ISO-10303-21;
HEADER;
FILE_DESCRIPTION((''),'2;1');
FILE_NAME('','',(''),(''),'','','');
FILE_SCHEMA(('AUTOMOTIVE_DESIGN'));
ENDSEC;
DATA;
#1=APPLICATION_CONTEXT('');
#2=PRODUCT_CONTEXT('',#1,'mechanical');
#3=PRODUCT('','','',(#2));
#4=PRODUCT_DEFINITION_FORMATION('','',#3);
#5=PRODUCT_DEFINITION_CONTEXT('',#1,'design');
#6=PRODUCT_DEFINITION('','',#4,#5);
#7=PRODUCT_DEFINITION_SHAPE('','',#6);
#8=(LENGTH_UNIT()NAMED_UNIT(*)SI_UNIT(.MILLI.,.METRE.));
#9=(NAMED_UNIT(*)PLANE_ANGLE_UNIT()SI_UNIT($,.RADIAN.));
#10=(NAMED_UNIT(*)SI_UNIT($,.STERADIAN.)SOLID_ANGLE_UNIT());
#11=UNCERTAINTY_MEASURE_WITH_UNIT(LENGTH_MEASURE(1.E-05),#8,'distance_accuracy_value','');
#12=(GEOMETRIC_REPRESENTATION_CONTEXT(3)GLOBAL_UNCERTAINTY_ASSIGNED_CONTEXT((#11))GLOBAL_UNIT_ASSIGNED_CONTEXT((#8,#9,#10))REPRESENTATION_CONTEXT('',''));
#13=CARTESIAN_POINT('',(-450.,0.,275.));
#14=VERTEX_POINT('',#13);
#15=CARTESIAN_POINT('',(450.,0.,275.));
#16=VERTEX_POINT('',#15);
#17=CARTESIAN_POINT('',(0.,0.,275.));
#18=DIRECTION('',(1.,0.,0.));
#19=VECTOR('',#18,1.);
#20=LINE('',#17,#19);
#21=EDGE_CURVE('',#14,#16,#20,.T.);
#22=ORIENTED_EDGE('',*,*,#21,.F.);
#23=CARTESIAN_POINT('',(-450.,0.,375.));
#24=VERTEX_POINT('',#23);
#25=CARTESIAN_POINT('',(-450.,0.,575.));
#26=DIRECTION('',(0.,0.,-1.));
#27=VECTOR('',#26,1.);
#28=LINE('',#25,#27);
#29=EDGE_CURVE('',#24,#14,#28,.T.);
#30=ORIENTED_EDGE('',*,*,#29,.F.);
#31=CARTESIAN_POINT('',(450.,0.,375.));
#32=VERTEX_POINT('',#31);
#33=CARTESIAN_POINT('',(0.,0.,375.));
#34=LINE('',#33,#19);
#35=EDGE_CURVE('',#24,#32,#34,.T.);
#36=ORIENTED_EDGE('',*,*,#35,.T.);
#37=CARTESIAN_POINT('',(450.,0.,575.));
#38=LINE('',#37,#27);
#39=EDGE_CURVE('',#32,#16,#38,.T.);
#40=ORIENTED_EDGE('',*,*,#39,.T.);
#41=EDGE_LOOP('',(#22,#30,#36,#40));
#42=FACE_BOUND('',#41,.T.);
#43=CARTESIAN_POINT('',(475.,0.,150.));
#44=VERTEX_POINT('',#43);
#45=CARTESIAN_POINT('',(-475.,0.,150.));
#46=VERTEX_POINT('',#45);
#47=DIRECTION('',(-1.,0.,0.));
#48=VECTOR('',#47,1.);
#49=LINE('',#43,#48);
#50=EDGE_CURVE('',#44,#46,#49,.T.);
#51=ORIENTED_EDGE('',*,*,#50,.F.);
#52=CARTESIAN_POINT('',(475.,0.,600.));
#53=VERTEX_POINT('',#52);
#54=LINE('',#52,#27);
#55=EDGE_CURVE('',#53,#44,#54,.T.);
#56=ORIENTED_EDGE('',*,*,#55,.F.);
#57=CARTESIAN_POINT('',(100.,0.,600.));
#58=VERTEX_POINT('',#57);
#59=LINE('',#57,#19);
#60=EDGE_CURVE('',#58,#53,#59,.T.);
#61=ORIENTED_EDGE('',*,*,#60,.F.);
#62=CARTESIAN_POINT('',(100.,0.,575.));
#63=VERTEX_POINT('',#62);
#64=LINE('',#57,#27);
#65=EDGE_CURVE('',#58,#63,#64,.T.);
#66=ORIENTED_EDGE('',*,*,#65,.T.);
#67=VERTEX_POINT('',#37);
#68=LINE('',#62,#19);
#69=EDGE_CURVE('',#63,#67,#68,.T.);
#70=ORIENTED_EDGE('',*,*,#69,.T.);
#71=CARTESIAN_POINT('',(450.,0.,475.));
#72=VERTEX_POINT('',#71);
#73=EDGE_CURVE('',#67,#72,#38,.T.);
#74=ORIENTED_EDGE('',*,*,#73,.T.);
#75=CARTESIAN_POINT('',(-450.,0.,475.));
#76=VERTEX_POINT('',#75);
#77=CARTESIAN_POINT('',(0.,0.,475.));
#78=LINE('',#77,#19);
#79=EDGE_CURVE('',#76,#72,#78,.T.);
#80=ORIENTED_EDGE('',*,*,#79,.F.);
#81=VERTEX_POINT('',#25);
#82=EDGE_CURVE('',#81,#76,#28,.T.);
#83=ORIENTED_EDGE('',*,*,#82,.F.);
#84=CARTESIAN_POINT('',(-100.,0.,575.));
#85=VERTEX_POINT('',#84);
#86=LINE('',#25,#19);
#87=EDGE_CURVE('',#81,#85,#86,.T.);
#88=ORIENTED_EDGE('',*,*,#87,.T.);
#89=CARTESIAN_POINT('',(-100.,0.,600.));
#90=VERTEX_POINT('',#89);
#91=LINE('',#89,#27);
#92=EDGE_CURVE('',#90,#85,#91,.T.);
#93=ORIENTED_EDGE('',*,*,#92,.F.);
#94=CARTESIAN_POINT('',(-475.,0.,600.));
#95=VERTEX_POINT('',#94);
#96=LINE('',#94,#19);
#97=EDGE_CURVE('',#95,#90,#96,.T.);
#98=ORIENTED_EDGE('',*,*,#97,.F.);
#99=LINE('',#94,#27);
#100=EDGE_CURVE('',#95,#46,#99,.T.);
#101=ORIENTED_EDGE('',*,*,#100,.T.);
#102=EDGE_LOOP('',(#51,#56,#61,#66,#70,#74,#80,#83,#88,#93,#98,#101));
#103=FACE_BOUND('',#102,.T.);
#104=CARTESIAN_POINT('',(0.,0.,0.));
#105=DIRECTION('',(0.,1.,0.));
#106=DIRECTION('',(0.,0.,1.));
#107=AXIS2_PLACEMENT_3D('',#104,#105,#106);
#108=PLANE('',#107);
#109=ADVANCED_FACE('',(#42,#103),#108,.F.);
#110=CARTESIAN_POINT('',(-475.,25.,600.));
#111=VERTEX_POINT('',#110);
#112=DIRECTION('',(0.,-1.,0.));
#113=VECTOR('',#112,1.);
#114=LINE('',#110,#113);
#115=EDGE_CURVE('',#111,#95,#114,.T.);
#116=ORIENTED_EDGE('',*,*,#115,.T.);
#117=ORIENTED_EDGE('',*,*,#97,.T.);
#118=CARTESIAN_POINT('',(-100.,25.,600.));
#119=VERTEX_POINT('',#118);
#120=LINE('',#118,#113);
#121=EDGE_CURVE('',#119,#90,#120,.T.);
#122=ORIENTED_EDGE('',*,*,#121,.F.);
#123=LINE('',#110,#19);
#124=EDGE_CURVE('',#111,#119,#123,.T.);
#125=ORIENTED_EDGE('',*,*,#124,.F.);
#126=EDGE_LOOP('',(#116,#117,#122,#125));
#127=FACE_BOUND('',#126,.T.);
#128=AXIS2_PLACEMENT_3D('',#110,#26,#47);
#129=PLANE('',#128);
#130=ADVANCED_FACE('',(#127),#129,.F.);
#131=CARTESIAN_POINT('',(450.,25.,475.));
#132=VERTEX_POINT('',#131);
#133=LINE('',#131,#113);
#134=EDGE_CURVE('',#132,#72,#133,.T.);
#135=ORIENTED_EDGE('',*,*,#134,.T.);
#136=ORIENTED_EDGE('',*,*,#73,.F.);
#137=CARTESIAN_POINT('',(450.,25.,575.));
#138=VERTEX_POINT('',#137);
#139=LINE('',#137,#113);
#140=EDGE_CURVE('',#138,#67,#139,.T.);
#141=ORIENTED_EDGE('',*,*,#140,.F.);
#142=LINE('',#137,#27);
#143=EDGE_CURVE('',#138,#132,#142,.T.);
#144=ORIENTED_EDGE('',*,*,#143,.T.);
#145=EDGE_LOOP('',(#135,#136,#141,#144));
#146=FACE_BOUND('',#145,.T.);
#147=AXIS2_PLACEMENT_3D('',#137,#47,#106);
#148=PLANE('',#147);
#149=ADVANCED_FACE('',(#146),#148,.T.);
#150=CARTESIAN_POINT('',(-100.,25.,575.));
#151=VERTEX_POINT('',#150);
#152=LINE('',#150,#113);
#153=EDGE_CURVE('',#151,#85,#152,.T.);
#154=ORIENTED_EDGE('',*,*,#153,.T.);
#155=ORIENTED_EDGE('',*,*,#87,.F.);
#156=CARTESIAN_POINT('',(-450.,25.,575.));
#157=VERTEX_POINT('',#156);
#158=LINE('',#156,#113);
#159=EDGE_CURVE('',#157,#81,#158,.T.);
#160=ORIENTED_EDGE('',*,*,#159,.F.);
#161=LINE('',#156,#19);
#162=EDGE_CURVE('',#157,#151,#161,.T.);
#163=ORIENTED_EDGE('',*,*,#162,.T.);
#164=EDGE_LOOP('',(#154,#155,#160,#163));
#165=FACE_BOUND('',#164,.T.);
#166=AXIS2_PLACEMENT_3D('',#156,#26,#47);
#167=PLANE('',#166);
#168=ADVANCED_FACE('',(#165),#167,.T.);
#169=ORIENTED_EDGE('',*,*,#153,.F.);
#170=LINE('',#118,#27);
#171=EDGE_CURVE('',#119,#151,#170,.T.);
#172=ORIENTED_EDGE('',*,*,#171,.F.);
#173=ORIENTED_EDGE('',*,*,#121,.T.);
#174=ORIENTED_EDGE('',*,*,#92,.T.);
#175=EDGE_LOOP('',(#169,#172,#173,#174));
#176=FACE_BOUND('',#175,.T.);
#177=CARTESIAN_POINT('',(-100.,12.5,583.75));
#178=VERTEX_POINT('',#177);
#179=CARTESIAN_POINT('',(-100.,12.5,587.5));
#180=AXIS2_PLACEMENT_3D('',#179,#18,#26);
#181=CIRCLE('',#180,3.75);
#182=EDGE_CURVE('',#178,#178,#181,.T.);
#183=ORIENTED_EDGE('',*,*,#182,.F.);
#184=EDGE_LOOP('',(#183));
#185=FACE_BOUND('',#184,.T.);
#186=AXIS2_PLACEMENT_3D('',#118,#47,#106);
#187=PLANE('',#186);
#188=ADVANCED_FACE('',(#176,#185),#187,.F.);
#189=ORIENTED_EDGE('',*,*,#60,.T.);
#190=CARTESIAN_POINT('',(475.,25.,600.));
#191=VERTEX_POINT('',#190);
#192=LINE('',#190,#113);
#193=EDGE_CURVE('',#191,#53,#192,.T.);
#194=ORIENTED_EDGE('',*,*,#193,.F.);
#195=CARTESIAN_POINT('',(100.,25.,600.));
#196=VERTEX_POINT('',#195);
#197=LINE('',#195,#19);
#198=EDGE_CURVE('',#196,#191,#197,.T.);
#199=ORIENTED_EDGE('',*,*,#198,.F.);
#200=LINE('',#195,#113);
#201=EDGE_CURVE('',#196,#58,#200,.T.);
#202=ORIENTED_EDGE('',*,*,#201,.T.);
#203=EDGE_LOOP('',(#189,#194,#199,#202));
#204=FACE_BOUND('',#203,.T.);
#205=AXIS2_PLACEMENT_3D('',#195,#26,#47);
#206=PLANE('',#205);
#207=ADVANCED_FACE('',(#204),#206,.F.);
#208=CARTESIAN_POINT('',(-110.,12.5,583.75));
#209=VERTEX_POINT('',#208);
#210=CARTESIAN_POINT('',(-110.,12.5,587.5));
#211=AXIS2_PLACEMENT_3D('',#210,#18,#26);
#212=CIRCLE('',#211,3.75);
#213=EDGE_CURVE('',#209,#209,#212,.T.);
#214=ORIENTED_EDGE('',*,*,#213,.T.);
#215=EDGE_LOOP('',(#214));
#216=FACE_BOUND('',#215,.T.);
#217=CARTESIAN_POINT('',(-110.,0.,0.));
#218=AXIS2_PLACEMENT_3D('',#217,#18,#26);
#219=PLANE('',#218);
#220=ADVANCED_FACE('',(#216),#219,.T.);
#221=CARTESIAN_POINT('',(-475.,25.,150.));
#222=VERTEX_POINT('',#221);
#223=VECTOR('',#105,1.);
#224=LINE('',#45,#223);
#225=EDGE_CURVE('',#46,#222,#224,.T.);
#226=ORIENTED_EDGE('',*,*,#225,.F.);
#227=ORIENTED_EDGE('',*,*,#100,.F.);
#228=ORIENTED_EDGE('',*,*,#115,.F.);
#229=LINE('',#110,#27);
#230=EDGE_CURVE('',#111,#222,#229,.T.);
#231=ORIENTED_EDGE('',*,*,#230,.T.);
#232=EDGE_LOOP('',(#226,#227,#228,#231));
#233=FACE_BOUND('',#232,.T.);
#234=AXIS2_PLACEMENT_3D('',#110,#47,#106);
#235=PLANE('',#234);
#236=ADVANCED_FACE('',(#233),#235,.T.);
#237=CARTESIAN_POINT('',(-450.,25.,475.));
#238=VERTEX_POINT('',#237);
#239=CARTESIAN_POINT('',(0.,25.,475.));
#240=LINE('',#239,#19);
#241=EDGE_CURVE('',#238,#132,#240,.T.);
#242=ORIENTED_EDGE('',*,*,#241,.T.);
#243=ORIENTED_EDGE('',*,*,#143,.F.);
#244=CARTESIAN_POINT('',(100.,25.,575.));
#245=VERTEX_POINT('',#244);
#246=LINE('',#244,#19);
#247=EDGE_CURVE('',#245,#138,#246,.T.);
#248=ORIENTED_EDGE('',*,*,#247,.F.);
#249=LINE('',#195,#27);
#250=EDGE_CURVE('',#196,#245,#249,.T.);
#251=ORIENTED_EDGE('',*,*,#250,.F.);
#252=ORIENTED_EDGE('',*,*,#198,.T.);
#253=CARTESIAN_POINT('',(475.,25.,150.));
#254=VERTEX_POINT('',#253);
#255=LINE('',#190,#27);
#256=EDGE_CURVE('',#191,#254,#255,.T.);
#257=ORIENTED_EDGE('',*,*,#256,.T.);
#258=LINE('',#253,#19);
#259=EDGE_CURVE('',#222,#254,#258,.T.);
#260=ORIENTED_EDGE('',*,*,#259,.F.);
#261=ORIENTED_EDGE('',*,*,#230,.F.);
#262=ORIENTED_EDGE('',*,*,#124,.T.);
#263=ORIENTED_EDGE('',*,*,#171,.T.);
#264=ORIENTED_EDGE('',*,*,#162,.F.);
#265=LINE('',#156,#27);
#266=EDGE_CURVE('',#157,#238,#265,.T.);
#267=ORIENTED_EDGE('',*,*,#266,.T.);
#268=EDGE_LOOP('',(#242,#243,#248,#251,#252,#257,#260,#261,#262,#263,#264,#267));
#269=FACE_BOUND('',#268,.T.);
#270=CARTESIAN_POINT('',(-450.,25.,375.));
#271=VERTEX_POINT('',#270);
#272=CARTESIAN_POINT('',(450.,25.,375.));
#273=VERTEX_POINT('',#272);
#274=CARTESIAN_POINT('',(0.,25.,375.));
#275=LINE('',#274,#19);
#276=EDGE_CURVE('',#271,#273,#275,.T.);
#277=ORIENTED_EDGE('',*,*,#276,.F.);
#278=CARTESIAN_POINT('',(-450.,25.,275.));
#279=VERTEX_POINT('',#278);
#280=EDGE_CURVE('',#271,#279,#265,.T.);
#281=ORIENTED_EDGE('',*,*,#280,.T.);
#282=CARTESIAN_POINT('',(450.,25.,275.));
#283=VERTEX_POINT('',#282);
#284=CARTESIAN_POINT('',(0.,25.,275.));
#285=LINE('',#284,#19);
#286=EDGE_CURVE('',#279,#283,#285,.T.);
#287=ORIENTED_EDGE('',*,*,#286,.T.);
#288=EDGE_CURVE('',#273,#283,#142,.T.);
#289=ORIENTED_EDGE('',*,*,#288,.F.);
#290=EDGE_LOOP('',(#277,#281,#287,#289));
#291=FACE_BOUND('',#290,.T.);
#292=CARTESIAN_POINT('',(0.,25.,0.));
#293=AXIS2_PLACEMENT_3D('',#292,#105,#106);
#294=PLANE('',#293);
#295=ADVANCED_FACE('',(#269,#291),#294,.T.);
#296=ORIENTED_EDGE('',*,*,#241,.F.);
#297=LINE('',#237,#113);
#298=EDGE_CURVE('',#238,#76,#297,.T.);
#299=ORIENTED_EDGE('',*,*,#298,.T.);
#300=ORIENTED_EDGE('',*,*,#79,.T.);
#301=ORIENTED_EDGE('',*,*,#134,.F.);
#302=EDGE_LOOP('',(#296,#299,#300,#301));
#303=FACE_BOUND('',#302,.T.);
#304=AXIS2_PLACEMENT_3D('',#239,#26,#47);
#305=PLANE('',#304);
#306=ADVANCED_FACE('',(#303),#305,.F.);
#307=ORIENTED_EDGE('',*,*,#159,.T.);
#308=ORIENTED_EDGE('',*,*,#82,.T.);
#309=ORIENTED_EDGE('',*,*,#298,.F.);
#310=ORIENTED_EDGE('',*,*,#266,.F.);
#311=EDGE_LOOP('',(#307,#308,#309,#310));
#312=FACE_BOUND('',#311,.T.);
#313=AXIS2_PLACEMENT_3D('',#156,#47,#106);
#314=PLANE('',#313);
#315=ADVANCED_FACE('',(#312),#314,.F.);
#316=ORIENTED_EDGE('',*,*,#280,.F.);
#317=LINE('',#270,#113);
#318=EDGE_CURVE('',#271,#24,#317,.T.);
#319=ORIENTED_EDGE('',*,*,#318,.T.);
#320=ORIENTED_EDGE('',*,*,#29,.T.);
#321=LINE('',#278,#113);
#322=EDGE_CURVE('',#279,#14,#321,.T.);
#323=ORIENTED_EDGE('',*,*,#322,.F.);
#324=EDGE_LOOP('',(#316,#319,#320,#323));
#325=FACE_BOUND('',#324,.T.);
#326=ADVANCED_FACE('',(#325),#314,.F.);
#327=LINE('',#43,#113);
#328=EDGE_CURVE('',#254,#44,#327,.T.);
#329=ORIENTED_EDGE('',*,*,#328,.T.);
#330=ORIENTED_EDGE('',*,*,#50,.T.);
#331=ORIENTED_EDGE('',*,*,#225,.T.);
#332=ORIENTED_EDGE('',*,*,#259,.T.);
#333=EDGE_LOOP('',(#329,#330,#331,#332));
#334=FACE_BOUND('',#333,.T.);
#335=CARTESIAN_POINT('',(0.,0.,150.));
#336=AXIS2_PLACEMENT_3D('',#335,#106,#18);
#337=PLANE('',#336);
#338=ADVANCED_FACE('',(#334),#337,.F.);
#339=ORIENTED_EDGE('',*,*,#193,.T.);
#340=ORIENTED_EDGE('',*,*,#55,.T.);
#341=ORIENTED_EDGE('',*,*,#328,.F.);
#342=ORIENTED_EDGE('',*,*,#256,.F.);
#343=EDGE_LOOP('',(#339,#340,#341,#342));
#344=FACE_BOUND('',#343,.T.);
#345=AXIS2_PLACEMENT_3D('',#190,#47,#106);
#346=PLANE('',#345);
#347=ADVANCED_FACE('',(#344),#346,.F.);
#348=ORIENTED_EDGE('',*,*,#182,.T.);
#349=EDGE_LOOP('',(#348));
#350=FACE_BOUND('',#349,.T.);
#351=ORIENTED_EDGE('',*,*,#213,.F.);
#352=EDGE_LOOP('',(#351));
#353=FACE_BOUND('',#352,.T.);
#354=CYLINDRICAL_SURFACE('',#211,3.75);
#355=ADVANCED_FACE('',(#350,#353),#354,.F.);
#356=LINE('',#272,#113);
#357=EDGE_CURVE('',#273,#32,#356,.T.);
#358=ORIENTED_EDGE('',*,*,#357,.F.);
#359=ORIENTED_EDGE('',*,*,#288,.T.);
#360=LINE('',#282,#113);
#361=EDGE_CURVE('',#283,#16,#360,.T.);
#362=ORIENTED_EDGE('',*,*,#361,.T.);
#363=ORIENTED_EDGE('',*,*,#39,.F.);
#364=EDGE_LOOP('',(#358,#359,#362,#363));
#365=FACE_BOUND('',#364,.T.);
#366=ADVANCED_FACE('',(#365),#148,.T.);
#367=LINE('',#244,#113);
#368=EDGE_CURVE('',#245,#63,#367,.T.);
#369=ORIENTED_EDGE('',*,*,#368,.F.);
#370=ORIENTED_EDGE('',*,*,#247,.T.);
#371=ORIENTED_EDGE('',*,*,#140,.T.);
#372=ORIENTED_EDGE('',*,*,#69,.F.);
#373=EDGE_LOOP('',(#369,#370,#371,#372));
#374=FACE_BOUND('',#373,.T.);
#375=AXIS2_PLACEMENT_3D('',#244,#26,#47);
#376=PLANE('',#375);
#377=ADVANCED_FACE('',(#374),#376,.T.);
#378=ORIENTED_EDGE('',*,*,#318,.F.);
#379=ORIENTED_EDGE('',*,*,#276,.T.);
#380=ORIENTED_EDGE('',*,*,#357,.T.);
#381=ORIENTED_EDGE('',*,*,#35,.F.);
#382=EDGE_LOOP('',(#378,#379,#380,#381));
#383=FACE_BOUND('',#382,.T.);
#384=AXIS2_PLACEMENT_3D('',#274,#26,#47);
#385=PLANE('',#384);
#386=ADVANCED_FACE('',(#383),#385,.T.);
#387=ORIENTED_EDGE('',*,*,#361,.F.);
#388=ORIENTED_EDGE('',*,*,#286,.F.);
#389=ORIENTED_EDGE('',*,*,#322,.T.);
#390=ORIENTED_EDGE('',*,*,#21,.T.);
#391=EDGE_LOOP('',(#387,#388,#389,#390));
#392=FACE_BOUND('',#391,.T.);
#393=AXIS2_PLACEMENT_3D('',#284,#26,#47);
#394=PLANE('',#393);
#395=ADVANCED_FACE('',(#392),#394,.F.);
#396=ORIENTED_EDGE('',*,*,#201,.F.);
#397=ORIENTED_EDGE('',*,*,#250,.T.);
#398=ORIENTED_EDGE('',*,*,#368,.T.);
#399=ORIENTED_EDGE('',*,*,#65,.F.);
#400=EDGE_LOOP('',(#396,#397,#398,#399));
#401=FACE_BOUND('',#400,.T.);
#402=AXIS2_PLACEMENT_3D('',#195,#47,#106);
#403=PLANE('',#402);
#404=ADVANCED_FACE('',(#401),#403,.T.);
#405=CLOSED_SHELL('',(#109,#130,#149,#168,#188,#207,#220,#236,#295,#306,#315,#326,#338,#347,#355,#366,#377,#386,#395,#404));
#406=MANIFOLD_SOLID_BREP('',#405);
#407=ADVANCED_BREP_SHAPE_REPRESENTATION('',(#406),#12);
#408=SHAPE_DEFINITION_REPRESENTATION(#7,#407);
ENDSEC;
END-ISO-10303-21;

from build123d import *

# Parameters (mm, degrees)
CROQUIS1_W              = 900
CROQUIS1_H              = 100
CROQUIS1_H_2            = 150
SALIENTE_EXTRUIR2_DEPTH = 25
CORTAR_EXTRUIR1_DEPTH   = 10
CROQUIS3_W              = 950
CROQUIS3_H              = 25
CORTAR_EXTRUIR2_DEPTH   = 750


with BuildPart() as part:
    # Croquis1 → Saliente-Extruir2 (new body)
    with BuildSketch(Plane(origin=(0, 0, 0), x_dir=(1, 0, 0), z_dir=(0, 1, 0))):
        Polygon((450, -475), (450, -575), (100, -575), (100, -600), (475, -600), (475, 600), (-475, 600), (-475, -600), (-100, -600), (-100, -575), (-450, -575), (-450, -475), align=None)
        with Locations((0, -325)):
            Rectangle(CROQUIS1_W, CROQUIS1_H, mode=Mode.SUBTRACT)
        with Locations((0, 50)):
            Rectangle(CROQUIS1_W, CROQUIS1_H_2, mode=Mode.SUBTRACT)
        with Locations((0, 350)):
            Rectangle(CROQUIS1_W, CROQUIS1_H_2, mode=Mode.SUBTRACT)
    extrude(amount=SALIENTE_EXTRUIR2_DEPTH)

    # Croquis2 → Cortar-Extruir1 (cut)
    with BuildSketch(Plane(origin=(-100, 0, 0), x_dir=(0, 0, -1), z_dir=(1, 0, 0))):
        with BuildLine():
            ThreePointArc((-583.75, 12.5), (-586.064937129, 15.964548247), (-590.151650429, 15.151650429))
            Line((-590.151650429, 15.151650429), (-584.848349571, 9.848349571))
            ThreePointArc((-584.848349571, 9.848349571), (-584.035451753, 11.064937129), (-583.75, 12.5))
        make_face()
        with BuildLine():
            Line((-584.848349571, 9.848349571), (-590.151650429, 15.151650429))
            ThreePointArc((-590.151650429, 15.151650429), (-590.151650429, 9.848349571), (-584.848349571, 9.848349571))
        make_face()
    extrude(amount=-CORTAR_EXTRUIR1_DEPTH, mode=Mode.SUBTRACT)

    # Croquis3 → Cortar-Extruir2 (cut)
    with BuildSketch(Plane(origin=(0, 0, -600), x_dir=(-1, 0, 0), z_dir=(0, 0, -1))):
        with Locations((0, 12.5)):
            Rectangle(CROQUIS3_W, CROQUIS3_H)
    extrude(amount=-CORTAR_EXTRUIR2_DEPTH, mode=Mode.SUBTRACT)


solid = part.part
